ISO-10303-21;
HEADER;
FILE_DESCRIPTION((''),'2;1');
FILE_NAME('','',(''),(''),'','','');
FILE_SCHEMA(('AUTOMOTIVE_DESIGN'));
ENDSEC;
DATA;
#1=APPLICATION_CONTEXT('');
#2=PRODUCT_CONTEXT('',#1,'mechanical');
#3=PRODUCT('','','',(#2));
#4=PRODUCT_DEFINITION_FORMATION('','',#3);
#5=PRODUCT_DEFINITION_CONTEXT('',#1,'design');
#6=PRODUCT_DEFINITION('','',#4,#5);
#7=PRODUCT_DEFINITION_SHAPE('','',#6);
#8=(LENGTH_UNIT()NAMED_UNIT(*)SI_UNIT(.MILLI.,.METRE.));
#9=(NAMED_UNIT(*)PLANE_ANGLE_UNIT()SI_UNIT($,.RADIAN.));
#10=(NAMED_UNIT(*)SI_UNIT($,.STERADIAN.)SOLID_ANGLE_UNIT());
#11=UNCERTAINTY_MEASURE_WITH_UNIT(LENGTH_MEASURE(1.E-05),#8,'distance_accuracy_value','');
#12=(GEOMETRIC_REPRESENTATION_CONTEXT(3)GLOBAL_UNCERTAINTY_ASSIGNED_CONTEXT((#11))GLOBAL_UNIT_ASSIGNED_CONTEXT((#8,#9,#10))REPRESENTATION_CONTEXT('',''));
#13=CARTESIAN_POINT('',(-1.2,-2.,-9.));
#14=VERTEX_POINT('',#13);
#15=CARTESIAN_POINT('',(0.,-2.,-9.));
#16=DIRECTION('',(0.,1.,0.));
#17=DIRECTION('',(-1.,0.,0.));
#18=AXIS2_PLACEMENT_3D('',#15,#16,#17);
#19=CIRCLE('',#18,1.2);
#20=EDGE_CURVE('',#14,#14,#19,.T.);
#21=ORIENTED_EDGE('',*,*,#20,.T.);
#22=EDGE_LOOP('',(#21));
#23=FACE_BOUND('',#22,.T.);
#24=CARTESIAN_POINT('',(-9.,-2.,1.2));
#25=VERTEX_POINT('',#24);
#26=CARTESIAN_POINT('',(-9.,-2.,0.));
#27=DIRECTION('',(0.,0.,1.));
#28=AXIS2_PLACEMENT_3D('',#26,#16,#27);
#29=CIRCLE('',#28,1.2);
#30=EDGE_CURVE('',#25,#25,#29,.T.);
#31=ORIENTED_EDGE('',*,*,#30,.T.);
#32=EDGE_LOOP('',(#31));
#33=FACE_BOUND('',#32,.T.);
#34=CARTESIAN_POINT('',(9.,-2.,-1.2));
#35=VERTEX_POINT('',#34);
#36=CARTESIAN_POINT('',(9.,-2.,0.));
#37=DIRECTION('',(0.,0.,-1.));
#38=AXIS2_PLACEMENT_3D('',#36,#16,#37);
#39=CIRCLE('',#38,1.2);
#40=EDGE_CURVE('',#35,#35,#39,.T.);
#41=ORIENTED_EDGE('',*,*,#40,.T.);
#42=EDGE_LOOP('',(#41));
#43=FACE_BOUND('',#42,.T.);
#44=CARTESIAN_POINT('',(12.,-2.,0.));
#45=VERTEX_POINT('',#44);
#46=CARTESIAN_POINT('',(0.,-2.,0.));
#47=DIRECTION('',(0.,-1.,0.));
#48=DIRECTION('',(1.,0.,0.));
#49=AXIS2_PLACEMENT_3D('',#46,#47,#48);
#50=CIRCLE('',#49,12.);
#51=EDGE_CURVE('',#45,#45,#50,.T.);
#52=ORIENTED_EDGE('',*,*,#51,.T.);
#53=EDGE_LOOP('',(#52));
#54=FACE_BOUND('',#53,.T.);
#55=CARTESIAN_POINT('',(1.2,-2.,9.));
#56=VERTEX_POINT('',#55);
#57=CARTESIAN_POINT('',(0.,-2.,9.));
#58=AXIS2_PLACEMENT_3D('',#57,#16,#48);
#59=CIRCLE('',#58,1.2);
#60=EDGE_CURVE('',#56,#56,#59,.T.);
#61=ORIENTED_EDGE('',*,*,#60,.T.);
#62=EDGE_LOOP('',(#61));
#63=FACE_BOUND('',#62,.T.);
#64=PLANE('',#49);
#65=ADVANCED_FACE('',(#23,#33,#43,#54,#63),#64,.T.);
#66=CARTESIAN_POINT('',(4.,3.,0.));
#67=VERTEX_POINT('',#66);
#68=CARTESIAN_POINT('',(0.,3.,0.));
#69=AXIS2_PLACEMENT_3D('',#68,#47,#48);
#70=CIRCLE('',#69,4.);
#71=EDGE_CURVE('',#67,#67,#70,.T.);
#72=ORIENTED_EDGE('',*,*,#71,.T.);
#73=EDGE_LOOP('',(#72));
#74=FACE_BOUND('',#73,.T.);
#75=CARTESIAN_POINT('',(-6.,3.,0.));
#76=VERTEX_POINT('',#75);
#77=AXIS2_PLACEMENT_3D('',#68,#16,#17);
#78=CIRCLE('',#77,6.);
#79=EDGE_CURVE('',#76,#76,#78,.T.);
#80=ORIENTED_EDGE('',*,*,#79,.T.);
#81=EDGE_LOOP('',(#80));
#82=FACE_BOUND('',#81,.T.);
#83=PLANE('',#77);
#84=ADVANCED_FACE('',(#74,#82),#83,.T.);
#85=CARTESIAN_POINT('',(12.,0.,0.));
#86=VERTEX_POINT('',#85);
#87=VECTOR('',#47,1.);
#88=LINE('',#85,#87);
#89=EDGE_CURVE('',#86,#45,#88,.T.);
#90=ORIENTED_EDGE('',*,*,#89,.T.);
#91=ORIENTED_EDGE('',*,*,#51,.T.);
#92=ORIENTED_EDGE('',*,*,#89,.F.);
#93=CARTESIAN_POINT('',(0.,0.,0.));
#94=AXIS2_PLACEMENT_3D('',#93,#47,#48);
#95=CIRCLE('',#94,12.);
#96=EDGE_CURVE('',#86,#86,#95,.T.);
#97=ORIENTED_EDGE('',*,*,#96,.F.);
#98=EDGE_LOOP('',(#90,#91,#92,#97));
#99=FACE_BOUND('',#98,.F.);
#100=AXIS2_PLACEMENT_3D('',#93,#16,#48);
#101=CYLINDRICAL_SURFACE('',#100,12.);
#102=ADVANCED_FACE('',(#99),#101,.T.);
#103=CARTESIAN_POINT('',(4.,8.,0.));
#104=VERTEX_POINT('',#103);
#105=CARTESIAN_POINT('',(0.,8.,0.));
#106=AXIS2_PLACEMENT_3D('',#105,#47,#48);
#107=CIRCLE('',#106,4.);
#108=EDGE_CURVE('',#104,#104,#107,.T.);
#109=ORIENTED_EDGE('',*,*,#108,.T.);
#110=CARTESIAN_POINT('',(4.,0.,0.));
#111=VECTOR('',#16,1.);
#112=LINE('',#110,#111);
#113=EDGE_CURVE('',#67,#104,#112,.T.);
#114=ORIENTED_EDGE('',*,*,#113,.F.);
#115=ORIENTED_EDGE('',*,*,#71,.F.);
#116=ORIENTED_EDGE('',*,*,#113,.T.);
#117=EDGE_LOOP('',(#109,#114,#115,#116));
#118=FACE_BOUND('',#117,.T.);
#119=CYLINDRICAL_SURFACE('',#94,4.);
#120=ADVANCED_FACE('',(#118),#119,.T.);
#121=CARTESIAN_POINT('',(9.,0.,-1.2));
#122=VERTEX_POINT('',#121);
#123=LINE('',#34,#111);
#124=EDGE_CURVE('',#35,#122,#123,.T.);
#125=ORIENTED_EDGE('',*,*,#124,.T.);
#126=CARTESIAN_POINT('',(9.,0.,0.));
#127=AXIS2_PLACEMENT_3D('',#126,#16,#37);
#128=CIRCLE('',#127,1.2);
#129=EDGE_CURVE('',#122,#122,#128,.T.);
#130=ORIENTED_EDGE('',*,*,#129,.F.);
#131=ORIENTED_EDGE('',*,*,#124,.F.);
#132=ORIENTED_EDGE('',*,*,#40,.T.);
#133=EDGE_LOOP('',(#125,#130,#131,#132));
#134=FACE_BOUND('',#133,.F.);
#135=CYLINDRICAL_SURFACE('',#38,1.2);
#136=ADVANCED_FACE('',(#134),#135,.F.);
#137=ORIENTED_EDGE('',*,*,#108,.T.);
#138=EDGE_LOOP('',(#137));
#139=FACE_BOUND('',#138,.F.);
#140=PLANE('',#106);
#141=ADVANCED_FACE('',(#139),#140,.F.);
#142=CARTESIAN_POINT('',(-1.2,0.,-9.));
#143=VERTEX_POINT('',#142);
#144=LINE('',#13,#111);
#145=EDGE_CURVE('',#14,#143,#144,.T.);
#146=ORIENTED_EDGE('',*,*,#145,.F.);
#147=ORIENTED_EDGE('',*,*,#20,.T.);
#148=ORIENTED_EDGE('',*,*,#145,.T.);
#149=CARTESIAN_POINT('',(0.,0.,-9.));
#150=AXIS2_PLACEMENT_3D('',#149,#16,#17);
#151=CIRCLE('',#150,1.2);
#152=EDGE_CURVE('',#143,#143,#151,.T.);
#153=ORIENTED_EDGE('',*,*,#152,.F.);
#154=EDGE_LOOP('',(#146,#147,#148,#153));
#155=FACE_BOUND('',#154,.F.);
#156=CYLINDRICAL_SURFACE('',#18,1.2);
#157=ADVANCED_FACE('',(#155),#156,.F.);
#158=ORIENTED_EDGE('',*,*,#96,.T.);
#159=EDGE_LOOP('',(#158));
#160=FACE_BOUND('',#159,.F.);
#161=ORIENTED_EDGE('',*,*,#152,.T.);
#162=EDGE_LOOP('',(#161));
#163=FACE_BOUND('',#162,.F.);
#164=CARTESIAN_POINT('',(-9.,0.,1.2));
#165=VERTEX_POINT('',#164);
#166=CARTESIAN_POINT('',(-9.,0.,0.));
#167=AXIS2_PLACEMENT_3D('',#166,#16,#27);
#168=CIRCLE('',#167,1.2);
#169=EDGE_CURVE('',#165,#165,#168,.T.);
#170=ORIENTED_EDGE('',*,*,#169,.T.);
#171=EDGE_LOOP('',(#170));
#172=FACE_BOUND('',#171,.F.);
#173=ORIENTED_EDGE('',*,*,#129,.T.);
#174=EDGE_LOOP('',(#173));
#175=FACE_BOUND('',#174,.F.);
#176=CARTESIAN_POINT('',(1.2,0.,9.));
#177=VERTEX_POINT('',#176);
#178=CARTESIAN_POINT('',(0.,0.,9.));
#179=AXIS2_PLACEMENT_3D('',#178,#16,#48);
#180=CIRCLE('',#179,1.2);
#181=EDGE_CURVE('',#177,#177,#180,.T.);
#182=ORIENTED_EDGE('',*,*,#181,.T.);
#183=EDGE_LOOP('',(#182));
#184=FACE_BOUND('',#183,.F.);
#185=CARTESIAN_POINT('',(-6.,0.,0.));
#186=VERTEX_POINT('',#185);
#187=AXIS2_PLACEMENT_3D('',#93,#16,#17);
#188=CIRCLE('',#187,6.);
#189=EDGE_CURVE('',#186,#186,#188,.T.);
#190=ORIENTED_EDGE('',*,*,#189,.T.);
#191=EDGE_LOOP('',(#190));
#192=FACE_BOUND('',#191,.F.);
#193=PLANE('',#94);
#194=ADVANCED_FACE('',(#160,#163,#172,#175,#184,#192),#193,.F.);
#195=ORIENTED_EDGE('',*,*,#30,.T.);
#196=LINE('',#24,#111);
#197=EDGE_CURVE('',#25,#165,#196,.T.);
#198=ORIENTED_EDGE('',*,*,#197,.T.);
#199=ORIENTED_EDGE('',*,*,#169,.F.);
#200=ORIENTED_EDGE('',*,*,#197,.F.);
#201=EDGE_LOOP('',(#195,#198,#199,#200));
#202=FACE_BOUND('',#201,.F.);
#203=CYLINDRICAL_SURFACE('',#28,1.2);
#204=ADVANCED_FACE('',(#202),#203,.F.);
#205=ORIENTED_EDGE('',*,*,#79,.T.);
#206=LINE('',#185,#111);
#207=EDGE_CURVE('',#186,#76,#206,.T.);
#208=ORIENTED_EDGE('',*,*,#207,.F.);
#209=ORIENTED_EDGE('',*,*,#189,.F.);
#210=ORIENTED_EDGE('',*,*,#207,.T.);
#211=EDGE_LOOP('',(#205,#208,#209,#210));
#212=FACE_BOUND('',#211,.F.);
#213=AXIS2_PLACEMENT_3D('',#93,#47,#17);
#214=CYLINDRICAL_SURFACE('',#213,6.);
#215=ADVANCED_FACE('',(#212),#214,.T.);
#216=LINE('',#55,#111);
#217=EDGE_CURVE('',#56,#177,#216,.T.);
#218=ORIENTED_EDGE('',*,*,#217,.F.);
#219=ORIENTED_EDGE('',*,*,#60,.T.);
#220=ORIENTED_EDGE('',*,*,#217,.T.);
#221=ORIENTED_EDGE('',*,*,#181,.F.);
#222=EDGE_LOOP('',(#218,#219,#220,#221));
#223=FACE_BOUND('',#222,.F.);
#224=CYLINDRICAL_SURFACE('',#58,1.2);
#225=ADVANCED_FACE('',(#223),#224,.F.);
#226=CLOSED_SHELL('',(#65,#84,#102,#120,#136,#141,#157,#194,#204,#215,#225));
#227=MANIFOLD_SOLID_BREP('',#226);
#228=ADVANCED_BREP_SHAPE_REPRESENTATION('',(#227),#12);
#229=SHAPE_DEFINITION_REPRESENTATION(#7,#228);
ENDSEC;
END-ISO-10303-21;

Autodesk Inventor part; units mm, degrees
ref_plane "YZ Plane" through (0, 0, 0) normal (1, 0, 0) x (0, 1, 0)
ref_plane "XZ Plane" through (0, 0, 0) normal (0, 1, 0) x (-1, 0, 0)
ref_plane "XY Plane" through (0, 0, 0) normal (0, 0, 1) x (1, 0, 0)
sketch "Skizze1" plane through (0, 0, 0) normal (0, 1, 0) x (-1, 0, 0)
  circle A0 centre (0, 0) radius 6
  dimension "d0" = 12
extrude "Extrusion1" add sketch "Skizze1" along normal blind 3
sketch "Skizze2" plane through (0, 0, 0) normal (0, -1, 0) x (1, 0, 0)
  circle A0 centre (0, 0) radius 4
  dimension "d3" = 8
extrude "Extrusion2" add sketch "Skizze2" against normal blind 8
sketch "Skizze3" plane through (0, 0, 0) normal (0, -1, 0) x (1, 0, 0)
  circle A0 centre (0, 0) radius 12
  dimension "d6" = 24
extrude "Extrusion3" add sketch "Skizze3" along normal blind 2
sketch "Skizze4" plane through (0, -2, 0) normal (0, -1, 0) x (1, 0, 0)
  point P0 (0, 0)
  point P1 (9, 0)
  dimension "d9" = 9
hole "Bohrung1" at (9, -2, 0) direction (0, 1, 0) diameter 2.4 end through all clearance for "Inbusschraube ISO 4762" size "M2" standard "ISO"
pattern_circular "Runde Anordnung1" count 4 over 360 about axis through (0, 0, 0) along (0, -1, 0) of "Bohrung1"
properties part number "dynamixel_pro_frame_shaft"
